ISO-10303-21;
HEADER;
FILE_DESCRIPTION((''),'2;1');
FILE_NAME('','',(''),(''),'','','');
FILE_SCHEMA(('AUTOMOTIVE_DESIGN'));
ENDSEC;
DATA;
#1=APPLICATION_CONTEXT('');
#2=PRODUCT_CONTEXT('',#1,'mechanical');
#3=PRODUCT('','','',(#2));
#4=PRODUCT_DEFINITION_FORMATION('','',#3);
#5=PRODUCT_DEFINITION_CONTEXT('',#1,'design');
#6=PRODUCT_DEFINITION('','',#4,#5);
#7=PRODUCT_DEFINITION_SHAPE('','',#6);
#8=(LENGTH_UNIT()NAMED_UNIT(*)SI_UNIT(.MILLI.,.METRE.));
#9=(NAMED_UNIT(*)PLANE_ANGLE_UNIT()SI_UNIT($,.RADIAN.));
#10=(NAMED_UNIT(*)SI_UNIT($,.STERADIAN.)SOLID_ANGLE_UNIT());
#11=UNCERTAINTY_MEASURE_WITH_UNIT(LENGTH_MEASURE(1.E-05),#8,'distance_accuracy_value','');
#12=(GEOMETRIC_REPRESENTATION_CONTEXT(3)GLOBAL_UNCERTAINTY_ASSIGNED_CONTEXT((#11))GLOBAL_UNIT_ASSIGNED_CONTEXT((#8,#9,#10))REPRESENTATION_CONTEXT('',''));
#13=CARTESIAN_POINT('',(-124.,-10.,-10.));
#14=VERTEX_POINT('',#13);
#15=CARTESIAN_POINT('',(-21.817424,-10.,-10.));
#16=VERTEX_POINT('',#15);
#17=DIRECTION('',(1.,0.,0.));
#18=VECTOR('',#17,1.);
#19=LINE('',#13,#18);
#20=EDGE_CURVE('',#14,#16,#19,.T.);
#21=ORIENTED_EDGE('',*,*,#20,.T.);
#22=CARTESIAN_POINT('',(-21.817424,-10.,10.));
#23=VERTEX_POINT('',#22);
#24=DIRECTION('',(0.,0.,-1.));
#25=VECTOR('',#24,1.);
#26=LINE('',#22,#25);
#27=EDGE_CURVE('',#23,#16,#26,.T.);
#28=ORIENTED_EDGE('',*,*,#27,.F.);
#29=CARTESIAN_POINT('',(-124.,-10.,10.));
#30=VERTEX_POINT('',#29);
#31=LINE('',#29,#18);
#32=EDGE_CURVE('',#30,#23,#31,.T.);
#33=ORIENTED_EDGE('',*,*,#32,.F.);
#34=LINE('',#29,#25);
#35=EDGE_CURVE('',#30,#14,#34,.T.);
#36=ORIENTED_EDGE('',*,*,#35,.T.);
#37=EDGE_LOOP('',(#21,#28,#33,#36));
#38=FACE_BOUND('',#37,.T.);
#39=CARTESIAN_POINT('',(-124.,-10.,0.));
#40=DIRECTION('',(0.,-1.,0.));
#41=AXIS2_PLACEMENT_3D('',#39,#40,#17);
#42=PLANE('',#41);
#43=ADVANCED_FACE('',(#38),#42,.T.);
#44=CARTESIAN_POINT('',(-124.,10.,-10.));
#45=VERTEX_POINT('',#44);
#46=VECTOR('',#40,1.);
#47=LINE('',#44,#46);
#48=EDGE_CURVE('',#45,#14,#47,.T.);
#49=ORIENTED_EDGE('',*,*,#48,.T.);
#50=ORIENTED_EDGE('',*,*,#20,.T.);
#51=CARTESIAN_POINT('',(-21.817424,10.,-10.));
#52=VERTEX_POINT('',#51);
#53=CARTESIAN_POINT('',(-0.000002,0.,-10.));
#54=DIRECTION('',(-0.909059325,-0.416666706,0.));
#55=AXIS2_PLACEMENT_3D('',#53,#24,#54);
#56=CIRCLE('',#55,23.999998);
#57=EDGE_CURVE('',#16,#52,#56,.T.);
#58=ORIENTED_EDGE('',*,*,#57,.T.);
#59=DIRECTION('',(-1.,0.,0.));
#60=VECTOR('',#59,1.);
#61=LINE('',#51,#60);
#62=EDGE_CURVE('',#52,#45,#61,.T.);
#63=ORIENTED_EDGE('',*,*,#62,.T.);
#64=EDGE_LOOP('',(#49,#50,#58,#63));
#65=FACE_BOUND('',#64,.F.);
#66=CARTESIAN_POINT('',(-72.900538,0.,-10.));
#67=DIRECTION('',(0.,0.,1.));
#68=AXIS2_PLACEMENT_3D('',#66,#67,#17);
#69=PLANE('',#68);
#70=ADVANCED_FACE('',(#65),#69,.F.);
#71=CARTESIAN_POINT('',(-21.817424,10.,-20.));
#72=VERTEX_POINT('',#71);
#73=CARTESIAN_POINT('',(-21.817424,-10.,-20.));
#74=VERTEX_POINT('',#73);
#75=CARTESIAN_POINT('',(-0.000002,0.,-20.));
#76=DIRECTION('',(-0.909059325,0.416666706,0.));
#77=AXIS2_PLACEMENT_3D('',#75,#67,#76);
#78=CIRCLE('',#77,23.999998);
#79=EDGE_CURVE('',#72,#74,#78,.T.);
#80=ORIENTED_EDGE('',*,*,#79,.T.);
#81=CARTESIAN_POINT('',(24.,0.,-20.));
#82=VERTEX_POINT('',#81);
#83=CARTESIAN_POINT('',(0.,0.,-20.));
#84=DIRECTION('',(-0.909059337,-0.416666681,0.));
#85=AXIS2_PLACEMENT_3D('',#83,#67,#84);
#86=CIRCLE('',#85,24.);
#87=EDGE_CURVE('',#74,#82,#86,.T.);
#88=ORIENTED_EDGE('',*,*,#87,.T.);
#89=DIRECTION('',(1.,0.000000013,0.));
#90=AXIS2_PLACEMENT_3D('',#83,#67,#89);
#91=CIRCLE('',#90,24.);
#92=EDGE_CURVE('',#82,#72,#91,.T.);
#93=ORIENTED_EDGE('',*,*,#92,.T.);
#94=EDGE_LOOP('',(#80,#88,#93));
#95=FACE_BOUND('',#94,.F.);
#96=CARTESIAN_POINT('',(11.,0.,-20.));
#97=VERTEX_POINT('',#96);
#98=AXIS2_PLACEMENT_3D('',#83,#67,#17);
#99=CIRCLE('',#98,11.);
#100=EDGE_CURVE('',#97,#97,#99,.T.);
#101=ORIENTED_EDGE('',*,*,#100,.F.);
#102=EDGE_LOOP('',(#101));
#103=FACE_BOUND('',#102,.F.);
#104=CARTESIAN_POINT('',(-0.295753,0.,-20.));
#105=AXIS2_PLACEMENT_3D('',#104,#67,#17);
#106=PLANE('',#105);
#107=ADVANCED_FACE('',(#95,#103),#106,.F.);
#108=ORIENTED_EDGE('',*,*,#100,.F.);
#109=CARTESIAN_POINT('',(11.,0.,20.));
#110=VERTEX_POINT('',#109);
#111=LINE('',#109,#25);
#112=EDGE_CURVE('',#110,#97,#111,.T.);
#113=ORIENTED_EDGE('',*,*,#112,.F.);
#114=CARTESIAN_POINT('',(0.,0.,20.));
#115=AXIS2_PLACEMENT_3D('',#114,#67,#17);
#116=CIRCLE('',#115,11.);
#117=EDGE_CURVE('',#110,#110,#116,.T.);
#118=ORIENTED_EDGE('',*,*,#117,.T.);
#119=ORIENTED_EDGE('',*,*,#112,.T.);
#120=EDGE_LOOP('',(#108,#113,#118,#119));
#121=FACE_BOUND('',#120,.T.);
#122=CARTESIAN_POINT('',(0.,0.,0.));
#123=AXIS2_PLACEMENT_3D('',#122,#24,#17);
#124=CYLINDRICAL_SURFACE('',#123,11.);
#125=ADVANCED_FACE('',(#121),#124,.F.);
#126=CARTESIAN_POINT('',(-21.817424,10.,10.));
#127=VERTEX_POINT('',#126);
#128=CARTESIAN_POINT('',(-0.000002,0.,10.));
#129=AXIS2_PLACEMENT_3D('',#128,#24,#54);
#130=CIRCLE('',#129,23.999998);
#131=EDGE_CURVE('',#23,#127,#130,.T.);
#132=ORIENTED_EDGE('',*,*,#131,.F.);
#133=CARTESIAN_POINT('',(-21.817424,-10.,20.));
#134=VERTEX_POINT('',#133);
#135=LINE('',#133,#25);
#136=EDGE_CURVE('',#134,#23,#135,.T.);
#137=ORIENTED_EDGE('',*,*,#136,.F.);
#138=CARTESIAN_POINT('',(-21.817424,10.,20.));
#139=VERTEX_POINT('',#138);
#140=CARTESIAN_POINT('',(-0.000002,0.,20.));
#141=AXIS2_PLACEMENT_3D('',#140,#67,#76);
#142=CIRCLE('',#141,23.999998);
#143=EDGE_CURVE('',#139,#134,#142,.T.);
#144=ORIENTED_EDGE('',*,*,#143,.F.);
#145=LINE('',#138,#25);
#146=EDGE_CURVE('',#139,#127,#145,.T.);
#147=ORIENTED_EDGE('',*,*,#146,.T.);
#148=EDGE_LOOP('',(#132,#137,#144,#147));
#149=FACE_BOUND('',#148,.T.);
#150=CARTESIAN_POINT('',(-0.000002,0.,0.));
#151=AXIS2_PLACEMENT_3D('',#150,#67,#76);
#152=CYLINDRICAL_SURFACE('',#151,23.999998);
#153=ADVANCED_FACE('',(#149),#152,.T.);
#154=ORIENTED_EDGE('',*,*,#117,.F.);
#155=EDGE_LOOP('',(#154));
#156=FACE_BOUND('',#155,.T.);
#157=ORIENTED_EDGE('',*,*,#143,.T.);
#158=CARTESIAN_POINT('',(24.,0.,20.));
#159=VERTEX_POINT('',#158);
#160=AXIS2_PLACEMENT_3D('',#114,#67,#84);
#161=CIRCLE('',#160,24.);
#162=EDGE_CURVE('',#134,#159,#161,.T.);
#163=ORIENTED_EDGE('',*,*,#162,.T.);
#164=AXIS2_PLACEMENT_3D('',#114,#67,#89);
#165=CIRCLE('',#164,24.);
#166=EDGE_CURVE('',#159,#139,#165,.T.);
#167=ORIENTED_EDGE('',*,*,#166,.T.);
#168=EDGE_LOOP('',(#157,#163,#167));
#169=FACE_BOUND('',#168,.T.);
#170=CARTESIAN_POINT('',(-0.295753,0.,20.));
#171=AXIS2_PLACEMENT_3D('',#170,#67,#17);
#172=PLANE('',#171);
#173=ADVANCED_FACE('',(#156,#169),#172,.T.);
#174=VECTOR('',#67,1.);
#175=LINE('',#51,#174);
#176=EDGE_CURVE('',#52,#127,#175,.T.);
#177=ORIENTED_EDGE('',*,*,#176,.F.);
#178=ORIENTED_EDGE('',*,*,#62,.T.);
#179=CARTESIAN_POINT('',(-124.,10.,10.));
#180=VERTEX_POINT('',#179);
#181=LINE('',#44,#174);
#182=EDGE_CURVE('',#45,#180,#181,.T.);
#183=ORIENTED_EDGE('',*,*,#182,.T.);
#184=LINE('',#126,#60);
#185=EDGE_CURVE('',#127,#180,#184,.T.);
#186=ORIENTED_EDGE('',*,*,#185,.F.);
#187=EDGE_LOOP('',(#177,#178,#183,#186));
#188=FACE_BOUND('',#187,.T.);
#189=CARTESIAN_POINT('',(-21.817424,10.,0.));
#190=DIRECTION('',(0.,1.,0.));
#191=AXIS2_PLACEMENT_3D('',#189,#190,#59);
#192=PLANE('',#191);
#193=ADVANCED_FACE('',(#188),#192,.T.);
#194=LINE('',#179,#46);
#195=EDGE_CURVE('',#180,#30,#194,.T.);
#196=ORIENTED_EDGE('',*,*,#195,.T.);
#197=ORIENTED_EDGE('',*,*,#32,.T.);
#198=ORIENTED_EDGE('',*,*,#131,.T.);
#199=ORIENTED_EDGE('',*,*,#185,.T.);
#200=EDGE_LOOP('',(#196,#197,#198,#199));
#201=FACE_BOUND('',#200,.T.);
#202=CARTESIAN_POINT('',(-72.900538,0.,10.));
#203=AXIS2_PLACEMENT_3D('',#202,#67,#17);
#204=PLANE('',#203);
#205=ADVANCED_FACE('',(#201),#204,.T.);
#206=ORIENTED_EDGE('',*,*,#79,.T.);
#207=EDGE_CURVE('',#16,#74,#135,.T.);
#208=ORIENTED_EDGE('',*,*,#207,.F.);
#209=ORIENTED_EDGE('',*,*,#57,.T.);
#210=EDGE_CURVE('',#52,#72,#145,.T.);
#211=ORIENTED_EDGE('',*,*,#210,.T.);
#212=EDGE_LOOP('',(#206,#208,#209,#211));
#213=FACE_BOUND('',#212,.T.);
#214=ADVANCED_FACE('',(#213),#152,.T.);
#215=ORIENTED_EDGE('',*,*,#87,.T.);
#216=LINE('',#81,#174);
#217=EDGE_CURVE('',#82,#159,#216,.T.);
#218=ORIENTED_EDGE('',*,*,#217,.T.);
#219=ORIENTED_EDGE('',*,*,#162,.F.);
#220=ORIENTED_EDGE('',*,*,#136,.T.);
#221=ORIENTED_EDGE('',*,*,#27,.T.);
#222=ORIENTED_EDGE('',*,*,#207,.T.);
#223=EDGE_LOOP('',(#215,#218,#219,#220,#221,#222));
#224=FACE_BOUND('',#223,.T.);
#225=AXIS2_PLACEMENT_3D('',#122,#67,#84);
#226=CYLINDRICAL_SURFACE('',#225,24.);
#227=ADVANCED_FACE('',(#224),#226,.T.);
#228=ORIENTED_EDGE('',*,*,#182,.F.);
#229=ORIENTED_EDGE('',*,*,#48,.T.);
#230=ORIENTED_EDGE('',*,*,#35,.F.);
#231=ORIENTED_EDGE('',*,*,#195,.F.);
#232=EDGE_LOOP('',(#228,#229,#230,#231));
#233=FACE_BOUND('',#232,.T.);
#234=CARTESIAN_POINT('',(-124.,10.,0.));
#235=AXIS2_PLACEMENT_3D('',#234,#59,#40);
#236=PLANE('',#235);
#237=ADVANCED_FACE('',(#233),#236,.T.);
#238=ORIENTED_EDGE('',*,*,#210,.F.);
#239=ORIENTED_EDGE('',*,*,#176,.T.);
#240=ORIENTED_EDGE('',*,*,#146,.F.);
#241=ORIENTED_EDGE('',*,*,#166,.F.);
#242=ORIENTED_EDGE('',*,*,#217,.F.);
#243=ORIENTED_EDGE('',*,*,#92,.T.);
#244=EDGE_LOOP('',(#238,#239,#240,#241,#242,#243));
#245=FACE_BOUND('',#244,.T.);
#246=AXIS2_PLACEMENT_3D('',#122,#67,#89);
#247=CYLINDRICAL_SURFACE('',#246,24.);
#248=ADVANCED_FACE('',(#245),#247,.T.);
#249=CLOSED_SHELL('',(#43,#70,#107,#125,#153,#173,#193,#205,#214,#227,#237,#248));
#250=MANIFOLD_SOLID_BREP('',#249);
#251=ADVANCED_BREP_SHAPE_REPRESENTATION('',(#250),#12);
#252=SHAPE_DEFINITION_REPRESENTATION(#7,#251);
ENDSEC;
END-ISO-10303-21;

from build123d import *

# Parameters (mm, degrees)
F0_R     = 11
F1_DEPTH = 20
F2_DEPTH = 10
F3_DEPTH = 25


with BuildPart() as f1:
    # F0 (on Top) → F1 (new body, symmetric)
    with BuildSketch(Plane.XY):
        with BuildLine():
            ThreePointArc((-21.817424, -10), (5.117705, -23.448008), (24, 0))
            ThreePointArc((24, 0), (5.117705, 23.448008), (-21.817424, 10))
            ThreePointArc((-21.817424, 10), (-24, 0), (-21.817424, -10))
        make_face()
        Circle(F0_R, mode=Mode.SUBTRACT)
    extrude(amount=F1_DEPTH, both=True)

    # F0 (on Top) → F2 (join, symmetric)
    with BuildSketch(Plane.XY):
        with BuildLine():
            ThreePointArc((-21.817424, -10), (-24, 0), (-21.817424, 10))
            Line((-21.817424, 10), (-124, 10))
            Line((-124, 10), (-124, 0))
            Line((-124, 0), (-124, -10))
            Line((-124, -10), (-21.817424, -10))
        make_face()
    extrude(amount=F2_DEPTH, both=True)

    # F0 (on Top) → F3 (cut)
    with BuildSketch(Plane.XY):
        Circle(F0_R)
    extrude(amount=F3_DEPTH, mode=Mode.SUBTRACT)


solid = f1.part
